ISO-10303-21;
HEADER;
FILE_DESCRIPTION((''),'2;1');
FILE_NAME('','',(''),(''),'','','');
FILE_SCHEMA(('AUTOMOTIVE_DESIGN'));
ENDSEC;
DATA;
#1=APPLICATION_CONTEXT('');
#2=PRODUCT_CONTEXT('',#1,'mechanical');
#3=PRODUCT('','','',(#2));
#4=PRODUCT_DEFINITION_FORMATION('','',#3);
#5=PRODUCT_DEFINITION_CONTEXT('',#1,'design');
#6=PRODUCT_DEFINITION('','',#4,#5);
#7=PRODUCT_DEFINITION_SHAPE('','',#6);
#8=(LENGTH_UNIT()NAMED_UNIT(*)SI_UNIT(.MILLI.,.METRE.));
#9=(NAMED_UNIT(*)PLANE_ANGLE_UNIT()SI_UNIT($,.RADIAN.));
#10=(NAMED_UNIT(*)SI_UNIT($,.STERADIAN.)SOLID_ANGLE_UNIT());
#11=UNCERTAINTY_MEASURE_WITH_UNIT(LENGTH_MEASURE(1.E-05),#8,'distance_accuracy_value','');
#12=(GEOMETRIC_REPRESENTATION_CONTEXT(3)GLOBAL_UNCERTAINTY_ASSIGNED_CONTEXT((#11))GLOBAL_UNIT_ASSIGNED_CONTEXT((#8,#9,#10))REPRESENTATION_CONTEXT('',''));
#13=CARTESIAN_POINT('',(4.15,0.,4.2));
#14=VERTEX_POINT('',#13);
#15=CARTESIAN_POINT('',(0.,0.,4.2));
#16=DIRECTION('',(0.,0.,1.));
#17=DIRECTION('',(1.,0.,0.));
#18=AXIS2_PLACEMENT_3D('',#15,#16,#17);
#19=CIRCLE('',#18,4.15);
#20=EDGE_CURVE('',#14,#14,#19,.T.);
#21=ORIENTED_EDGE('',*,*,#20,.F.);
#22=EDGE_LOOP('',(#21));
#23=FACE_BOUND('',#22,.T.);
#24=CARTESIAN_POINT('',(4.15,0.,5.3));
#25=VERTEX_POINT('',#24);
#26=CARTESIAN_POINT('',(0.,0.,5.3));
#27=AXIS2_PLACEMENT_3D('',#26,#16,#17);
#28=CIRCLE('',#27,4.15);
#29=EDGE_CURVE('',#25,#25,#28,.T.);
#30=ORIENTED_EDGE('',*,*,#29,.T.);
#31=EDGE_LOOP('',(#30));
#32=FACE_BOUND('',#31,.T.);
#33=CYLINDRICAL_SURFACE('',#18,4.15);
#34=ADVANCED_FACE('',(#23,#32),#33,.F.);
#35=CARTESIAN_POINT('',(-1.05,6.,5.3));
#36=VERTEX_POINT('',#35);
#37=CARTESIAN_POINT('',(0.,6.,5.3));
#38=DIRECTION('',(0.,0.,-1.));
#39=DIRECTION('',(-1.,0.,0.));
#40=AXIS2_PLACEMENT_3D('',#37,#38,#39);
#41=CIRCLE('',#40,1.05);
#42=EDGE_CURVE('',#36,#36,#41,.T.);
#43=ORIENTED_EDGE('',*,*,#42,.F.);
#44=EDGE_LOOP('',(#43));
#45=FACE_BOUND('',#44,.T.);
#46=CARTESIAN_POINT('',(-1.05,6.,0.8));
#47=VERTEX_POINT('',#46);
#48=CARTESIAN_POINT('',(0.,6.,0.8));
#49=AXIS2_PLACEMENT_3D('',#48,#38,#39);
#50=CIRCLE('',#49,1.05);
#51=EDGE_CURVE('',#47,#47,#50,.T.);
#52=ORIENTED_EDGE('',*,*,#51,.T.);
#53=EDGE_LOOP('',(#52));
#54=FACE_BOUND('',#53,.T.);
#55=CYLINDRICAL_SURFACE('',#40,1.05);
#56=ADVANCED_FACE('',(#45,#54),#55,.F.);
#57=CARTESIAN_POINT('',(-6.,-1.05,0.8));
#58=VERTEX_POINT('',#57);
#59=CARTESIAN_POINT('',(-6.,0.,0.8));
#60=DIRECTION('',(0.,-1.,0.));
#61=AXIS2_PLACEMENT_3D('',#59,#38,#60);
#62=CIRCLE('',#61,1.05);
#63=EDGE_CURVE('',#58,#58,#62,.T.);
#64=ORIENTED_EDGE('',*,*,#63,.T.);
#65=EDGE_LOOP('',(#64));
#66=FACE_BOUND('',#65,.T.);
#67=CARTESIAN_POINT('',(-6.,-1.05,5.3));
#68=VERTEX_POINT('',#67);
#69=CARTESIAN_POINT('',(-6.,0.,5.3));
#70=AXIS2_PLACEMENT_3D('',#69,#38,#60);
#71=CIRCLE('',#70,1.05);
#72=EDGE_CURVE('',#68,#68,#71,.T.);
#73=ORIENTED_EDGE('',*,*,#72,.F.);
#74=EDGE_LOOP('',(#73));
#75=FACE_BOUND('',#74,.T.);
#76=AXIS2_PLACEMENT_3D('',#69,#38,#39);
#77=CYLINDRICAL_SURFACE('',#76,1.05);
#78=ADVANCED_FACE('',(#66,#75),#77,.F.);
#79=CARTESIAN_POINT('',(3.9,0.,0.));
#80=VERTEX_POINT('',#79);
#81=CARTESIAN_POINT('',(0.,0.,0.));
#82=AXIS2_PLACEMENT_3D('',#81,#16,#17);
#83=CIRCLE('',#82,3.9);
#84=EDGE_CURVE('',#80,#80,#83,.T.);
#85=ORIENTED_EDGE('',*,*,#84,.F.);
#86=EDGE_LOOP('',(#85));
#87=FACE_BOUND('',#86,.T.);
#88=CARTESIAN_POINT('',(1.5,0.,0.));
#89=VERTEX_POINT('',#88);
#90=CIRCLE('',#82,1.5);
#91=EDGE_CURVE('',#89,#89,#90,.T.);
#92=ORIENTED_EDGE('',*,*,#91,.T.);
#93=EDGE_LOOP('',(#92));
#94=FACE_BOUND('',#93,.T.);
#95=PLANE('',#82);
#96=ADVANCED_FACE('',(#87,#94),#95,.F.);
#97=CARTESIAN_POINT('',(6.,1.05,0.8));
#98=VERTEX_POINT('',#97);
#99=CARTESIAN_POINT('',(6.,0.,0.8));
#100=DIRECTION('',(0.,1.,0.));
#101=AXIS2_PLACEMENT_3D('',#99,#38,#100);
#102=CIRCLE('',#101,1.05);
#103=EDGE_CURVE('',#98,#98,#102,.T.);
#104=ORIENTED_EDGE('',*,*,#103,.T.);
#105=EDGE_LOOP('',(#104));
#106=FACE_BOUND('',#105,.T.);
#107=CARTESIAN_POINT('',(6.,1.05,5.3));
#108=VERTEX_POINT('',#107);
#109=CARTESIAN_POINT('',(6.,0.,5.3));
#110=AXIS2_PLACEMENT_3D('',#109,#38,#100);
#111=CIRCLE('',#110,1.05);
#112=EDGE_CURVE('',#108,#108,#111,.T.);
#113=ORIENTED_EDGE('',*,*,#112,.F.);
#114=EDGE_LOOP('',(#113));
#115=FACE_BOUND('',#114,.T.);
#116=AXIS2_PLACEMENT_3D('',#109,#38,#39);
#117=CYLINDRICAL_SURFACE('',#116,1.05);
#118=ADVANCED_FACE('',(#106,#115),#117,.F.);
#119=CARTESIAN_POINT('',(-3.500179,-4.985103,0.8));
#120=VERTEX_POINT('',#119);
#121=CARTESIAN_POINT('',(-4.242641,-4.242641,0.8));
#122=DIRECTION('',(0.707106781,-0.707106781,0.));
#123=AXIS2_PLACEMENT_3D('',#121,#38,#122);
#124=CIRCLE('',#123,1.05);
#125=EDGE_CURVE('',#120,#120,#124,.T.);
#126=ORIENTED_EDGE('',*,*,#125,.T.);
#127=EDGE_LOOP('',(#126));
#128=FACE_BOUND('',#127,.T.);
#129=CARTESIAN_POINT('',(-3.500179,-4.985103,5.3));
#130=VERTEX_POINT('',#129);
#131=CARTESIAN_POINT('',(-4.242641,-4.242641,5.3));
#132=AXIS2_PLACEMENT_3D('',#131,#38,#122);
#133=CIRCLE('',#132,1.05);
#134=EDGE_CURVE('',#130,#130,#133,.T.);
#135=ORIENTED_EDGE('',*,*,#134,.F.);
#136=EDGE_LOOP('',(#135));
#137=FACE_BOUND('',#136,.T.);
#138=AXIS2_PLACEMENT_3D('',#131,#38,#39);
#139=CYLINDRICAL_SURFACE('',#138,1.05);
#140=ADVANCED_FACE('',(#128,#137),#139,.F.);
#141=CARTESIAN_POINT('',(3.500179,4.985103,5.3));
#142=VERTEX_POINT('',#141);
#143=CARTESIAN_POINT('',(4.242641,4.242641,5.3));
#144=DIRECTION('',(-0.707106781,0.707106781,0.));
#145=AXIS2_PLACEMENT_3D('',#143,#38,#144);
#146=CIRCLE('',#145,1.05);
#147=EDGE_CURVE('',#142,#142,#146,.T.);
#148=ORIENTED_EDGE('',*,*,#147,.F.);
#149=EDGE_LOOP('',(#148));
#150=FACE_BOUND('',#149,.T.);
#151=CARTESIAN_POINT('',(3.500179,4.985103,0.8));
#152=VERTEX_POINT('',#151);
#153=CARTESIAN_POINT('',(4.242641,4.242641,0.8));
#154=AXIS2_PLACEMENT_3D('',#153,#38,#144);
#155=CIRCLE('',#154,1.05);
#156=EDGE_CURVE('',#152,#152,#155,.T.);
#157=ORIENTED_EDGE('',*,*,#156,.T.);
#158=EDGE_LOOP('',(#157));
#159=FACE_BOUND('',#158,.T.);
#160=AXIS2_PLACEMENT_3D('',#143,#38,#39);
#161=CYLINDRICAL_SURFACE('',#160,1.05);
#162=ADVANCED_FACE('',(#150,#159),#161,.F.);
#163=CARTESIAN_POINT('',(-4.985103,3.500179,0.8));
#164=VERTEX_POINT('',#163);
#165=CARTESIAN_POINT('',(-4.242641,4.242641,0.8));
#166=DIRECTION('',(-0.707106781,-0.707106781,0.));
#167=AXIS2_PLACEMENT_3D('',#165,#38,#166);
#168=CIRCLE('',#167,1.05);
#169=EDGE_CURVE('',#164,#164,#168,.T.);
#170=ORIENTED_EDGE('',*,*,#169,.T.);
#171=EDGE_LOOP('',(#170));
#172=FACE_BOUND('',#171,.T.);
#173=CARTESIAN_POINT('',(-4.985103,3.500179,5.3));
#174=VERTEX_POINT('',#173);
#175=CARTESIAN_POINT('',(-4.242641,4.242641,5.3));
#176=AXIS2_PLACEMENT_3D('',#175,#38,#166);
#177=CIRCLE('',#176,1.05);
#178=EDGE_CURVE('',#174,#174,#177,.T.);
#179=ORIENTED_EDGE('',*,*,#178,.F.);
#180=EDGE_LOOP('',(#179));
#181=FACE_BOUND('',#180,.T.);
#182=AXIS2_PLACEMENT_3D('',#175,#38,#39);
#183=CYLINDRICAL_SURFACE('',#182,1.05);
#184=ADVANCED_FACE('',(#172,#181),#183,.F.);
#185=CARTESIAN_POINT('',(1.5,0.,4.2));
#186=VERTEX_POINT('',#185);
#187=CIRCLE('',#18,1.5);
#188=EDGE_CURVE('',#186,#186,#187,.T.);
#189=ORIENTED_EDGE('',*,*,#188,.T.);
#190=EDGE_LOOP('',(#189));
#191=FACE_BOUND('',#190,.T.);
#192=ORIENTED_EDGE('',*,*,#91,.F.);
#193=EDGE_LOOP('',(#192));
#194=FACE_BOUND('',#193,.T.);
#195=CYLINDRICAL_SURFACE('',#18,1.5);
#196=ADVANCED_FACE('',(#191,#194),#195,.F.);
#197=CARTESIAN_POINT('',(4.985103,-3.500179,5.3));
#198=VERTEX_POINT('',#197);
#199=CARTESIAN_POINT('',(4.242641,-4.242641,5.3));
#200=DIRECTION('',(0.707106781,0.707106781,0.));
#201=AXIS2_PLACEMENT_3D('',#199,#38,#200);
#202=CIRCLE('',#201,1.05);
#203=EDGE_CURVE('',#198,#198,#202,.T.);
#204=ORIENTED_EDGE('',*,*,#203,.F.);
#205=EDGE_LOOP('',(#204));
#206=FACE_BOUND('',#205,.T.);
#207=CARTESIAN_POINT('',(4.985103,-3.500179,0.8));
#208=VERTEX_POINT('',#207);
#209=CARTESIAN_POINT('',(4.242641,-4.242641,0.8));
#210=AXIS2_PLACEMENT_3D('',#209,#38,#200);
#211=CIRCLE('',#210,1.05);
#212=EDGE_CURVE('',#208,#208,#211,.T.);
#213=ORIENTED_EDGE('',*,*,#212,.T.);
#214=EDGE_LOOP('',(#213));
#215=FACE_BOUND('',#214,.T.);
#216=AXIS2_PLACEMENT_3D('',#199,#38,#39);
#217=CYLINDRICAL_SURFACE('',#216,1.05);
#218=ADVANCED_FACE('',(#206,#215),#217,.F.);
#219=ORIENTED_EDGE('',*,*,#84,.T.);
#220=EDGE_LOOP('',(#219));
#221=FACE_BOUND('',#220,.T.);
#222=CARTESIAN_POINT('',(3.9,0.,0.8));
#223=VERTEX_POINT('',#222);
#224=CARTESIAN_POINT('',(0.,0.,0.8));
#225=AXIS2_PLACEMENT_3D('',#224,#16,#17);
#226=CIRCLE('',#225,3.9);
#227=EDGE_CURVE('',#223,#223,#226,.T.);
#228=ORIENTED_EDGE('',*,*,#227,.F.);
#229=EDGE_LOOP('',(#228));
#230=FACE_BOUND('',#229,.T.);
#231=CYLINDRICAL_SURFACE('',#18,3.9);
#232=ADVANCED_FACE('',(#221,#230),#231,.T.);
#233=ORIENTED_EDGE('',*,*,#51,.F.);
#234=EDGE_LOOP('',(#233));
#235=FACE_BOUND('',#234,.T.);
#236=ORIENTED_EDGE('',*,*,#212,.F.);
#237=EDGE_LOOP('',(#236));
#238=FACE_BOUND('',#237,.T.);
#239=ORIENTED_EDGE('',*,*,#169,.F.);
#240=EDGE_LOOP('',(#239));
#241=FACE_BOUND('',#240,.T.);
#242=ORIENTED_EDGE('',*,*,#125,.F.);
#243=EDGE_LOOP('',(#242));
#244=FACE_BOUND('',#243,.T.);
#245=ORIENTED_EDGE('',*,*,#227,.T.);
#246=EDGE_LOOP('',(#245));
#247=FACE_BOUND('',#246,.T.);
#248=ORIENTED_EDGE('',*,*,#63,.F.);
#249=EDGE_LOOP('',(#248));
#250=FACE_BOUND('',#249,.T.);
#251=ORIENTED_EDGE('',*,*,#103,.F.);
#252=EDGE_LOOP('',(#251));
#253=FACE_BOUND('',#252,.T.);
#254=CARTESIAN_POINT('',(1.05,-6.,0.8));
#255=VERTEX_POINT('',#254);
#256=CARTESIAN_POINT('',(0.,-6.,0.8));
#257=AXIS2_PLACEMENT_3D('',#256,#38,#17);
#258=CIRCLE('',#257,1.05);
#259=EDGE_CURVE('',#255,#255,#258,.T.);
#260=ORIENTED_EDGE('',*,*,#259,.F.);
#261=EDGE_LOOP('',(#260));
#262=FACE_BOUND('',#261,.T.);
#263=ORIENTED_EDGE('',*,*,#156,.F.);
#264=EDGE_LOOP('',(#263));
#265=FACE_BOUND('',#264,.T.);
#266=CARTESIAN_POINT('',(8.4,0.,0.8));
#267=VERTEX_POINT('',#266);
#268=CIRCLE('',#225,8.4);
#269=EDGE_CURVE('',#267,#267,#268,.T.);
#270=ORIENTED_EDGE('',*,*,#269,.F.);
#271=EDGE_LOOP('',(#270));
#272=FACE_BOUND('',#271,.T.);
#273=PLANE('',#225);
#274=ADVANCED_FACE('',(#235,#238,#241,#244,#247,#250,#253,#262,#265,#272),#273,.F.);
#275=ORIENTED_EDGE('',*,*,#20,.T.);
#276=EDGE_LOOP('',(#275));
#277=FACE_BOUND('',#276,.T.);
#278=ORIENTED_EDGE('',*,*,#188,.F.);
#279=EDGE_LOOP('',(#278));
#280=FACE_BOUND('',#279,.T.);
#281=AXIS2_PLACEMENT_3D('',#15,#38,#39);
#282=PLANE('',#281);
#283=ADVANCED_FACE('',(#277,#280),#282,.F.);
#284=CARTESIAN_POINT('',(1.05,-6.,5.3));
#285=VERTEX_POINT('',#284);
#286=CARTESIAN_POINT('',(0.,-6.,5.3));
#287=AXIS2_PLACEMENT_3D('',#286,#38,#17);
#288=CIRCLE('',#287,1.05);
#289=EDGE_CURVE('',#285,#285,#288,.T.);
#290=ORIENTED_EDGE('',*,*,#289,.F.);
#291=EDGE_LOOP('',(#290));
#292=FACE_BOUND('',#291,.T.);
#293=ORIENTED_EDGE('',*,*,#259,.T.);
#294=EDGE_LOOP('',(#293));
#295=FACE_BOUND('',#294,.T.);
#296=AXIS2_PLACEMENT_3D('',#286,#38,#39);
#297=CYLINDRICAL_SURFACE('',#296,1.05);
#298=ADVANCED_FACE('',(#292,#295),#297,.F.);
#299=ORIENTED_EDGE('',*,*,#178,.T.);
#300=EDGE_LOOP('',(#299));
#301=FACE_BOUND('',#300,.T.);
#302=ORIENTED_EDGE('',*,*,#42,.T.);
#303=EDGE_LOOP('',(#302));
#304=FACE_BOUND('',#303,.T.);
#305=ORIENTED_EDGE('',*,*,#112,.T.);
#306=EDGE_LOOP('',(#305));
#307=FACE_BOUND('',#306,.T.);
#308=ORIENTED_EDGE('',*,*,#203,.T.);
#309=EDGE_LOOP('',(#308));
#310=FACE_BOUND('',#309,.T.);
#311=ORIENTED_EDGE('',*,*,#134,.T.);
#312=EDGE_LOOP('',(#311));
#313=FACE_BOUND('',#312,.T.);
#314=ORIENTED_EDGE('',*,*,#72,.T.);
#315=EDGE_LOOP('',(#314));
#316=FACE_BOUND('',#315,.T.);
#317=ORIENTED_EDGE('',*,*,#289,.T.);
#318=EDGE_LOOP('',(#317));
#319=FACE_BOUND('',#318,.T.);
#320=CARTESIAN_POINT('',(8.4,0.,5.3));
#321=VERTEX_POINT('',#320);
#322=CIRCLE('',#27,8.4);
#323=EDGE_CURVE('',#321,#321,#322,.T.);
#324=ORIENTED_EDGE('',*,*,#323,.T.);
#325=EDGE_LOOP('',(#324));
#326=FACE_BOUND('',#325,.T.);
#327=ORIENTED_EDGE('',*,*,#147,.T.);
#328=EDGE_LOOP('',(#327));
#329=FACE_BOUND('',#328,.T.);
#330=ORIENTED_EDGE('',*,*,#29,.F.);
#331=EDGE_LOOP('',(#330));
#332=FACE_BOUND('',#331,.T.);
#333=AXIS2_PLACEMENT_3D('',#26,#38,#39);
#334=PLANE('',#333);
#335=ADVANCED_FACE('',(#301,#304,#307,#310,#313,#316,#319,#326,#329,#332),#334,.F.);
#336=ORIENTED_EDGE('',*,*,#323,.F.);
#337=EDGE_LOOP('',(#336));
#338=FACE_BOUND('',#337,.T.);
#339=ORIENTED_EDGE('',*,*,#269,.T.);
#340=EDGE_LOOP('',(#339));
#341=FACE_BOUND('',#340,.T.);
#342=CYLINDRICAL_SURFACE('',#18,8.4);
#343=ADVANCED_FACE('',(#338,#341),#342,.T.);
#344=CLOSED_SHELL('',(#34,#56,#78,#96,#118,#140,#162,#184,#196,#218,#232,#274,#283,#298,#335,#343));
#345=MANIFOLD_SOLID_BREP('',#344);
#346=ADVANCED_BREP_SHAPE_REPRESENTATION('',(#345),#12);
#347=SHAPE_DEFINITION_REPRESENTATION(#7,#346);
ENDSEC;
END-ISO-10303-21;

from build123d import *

# Parameters (mm, degrees)
SKETCH_3_R               = 1.05
CUT_EXTRUDE_1_DEPTH      = 13.703149216
PATTERN_CIRCULAR_1_COUNT = 8


with BuildPart() as part:
    # ｽｹｯﾁ2 → 回転1 (revolve)
    with BuildSketch(Plane(origin=(0, 0, 0), x_dir=(1, 0, 0), z_dir=(0, 1, 0))):
        Polygon((3.9, 0), (1.5, 0), (1.5, -4.2), (4.15, -4.2), (4.15, -5.3), (8.4, -5.3), (8.4, -0.8), (3.9, -0.8), align=None)
    revolve(axis=Axis((0, 0, 4.2), (0, 0, -1)))

    # ｽｹｯﾁ3 → ｶｯﾄ - 押し出し1 (cut, through all)
    with BuildSketch(Plane(origin=(0, 0, 0.8), x_dir=(-1, 0, 0), z_dir=(0, 0, -1))):
        with Locations((0, 6)):
            Circle(SKETCH_3_R)
    cut_extrude_1 = extrude(amount=-CUT_EXTRUDE_1_DEPTH, mode=Mode.SUBTRACT)

    # 円形ﾊﾟﾀｰﾝ1: ｶｯﾄ - 押し出し1 ×8 about axis
    pattern_circular_1_axis = Axis((0, 0, 0), (0, 0, 1))
    for i in range(1, PATTERN_CIRCULAR_1_COUNT):
        add(cut_extrude_1.rotate(pattern_circular_1_axis, i * 360 / PATTERN_CIRCULAR_1_COUNT), mode=Mode.SUBTRACT)


solid = part.part
